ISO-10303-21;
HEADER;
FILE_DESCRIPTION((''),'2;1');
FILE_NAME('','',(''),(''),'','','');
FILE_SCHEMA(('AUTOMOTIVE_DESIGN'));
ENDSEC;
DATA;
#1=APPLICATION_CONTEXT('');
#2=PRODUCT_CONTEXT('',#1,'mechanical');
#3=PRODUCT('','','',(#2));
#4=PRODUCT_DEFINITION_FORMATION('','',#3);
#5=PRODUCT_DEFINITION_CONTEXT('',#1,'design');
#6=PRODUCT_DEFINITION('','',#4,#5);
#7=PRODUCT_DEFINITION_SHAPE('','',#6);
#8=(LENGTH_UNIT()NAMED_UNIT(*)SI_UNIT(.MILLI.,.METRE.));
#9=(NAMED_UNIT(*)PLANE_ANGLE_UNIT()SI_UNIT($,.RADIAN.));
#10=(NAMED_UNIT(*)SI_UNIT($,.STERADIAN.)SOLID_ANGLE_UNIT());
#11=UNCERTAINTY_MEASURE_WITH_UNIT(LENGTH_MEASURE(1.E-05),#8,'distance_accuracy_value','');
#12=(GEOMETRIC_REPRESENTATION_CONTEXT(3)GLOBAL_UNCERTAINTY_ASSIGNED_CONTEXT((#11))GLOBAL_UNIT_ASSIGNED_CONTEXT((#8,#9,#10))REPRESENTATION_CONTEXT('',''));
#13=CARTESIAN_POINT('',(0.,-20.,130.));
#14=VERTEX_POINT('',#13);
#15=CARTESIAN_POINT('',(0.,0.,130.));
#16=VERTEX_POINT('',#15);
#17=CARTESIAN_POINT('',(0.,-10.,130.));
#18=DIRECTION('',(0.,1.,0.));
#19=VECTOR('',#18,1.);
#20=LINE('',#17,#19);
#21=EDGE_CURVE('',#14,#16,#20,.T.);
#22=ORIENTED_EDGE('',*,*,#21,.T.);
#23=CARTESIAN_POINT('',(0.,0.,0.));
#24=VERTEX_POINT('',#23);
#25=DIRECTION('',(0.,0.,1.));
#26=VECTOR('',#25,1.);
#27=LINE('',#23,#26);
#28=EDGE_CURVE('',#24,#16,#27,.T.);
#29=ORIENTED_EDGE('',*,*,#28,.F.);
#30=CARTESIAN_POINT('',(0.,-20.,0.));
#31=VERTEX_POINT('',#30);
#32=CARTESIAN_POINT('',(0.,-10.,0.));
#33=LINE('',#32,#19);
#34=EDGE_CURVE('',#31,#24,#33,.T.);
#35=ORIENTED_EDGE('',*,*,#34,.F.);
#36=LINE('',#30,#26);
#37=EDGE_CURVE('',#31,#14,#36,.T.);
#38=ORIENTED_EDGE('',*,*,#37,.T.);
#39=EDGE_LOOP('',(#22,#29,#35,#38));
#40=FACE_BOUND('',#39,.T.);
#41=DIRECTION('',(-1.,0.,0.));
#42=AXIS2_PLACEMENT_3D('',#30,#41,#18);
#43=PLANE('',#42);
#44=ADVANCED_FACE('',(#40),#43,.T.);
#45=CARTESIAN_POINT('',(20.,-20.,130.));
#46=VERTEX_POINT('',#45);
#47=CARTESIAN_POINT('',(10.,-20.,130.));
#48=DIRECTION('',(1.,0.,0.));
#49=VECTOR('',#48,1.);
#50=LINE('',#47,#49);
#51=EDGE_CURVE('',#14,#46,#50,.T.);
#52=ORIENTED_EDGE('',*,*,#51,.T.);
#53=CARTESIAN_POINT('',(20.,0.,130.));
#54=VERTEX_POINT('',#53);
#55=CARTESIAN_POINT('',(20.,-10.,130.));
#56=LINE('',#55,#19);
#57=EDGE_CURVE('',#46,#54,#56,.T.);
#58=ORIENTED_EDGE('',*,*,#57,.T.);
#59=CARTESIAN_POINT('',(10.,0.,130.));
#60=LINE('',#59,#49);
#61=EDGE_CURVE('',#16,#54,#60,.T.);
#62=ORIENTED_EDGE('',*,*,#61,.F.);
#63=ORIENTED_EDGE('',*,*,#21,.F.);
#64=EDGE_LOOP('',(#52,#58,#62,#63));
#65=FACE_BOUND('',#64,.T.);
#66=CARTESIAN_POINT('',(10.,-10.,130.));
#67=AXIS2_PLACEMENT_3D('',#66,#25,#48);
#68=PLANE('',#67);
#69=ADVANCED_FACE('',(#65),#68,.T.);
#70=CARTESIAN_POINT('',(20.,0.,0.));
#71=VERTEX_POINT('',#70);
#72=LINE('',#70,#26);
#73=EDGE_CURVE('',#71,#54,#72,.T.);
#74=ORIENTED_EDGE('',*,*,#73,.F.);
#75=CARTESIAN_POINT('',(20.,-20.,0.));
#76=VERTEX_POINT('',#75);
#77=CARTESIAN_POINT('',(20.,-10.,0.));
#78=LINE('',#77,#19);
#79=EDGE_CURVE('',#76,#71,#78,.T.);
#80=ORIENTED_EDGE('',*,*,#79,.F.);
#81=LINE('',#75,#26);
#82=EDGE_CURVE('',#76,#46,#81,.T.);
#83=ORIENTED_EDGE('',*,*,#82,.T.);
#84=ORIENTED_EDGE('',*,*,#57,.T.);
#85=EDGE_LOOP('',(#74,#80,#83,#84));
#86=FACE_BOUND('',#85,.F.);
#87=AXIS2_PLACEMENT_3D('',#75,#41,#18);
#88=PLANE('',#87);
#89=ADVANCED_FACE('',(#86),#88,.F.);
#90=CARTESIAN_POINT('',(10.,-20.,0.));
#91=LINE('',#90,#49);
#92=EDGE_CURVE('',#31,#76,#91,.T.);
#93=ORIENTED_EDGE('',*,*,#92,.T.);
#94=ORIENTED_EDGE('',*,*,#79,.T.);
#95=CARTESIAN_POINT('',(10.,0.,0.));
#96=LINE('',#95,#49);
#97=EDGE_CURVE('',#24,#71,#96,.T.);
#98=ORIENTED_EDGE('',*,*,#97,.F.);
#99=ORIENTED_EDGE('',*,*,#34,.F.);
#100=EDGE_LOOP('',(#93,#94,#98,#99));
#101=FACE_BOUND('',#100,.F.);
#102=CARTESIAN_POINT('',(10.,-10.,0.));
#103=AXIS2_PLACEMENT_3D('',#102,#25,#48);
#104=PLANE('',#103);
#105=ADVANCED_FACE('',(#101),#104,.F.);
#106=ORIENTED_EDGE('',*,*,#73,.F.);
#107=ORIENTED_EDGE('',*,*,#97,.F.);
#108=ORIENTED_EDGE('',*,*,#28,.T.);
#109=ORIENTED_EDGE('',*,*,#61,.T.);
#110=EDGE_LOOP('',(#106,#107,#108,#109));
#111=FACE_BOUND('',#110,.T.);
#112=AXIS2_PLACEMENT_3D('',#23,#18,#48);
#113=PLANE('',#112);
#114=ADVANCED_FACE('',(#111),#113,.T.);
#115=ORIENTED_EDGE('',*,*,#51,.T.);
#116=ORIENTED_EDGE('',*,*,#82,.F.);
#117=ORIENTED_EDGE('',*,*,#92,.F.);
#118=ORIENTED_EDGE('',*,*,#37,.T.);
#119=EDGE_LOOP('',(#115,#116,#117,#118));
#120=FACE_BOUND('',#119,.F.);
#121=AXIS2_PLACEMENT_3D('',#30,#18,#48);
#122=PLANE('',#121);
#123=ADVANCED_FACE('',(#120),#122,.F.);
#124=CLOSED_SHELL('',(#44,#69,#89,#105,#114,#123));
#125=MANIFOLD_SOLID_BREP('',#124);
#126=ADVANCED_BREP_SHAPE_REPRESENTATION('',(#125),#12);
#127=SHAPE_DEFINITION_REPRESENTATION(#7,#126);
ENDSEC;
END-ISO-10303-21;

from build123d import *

# Parameters (mm, degrees)
SKETCH_W  = 20
SKETCH_H  = 20
PAD_DEPTH = 130


with BuildPart() as part:
    # Sketch → Pad (new body)
    with BuildSketch(Plane.XY):
        with Locations((10, -10)):
            Rectangle(SKETCH_W, SKETCH_H)
    extrude(amount=PAD_DEPTH)


solid = part.part
